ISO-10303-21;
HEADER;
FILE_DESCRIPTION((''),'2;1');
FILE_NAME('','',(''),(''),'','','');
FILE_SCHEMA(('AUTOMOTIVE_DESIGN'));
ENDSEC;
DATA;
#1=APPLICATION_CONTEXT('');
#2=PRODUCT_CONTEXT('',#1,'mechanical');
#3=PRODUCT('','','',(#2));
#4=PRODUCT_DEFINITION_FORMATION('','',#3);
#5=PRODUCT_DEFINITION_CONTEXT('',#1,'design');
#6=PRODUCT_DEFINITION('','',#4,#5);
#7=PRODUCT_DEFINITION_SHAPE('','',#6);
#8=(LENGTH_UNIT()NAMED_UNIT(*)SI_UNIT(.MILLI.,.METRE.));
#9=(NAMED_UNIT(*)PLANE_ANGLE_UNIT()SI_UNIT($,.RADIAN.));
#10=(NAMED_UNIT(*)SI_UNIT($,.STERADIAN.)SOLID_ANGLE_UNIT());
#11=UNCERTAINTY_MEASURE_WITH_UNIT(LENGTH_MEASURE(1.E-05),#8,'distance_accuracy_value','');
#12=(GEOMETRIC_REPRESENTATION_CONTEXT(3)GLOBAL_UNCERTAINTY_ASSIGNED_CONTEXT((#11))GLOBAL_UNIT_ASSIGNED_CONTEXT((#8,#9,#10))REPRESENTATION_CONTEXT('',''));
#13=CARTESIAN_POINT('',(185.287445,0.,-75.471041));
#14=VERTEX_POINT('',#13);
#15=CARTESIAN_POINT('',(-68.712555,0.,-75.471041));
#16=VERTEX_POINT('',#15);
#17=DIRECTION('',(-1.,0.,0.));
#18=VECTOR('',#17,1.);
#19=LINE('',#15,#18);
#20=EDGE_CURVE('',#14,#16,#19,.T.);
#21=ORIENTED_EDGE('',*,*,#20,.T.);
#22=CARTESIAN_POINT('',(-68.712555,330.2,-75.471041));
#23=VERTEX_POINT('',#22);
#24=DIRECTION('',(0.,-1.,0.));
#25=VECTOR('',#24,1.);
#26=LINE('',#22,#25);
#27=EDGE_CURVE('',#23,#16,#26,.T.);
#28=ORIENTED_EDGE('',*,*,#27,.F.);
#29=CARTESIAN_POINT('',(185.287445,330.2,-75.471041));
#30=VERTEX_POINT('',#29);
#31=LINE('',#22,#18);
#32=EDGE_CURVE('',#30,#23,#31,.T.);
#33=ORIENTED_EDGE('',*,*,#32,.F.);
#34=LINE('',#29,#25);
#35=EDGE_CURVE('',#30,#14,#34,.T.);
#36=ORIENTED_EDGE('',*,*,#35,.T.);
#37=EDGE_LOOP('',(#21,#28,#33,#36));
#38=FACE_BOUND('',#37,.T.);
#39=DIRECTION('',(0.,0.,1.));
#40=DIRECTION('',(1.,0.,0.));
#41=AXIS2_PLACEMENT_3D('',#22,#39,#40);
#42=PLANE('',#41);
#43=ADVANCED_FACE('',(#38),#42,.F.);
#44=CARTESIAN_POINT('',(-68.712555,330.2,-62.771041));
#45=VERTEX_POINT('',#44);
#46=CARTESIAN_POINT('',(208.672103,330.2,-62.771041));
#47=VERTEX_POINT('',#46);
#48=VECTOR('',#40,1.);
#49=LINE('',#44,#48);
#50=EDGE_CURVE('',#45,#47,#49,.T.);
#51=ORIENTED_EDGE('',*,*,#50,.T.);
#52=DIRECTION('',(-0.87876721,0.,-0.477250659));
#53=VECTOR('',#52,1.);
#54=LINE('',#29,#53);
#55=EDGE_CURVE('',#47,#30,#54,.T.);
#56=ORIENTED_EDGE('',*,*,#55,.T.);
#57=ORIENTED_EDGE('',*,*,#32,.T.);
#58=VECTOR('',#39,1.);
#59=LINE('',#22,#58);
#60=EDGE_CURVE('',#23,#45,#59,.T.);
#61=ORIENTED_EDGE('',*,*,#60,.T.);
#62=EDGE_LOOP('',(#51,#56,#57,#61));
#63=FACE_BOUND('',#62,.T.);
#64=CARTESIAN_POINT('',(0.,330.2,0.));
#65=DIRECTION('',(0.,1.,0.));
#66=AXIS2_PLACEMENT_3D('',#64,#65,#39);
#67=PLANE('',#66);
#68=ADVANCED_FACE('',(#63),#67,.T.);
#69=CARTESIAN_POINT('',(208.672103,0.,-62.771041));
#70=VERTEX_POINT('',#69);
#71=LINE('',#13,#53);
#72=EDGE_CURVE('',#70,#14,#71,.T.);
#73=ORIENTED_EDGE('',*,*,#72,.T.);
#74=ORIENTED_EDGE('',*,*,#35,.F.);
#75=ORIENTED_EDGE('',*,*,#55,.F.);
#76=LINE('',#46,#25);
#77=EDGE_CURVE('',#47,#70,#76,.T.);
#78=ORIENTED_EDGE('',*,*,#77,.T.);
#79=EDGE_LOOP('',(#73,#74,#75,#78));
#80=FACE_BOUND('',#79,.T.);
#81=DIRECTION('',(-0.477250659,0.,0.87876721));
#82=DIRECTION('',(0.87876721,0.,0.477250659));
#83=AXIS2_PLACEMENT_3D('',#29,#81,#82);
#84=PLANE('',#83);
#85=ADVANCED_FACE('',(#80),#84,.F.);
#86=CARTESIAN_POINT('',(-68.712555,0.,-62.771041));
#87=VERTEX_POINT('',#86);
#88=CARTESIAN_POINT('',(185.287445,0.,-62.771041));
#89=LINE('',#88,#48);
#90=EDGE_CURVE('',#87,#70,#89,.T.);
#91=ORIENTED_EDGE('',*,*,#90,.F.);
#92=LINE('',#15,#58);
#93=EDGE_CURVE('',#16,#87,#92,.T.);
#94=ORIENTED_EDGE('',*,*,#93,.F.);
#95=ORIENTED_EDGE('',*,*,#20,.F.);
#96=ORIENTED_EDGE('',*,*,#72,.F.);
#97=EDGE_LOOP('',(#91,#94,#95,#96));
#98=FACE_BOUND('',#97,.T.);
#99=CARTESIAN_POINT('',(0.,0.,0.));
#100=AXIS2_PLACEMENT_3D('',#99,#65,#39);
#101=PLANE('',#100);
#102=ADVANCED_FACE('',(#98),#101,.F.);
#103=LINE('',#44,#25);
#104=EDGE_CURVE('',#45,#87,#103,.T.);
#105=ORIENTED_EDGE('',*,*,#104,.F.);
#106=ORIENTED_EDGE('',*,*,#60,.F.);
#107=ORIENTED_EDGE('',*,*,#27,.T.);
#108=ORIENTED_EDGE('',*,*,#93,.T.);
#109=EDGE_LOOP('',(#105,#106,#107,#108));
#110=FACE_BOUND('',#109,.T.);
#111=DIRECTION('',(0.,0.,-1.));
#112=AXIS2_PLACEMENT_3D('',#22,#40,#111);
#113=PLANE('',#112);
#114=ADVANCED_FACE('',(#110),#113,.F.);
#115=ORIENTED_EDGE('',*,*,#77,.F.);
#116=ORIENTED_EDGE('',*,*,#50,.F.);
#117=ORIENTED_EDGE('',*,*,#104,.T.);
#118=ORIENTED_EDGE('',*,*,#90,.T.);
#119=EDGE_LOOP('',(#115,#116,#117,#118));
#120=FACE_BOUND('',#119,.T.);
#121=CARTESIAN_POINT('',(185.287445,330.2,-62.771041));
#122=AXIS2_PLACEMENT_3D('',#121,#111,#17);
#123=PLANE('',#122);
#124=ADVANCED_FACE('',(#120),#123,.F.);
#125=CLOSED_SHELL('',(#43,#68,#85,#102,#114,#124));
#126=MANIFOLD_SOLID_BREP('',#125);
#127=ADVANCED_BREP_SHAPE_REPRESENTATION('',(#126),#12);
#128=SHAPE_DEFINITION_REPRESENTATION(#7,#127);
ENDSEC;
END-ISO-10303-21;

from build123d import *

# Parameters (mm, degrees)
BOSS_EXTRUDE2_DEPTH = 330.2


with BuildPart() as part:
    # Sketch1 → Boss-Extrude2 (new body)
    with BuildSketch(Plane(origin=(0, 0, 0), x_dir=(1, 0, 0), z_dir=(0, 1, 0))):
        Polygon((185.28744488, 75.471040866), (208.672103133, 62.771040866), (185.28744488, 62.771040866), (-68.71255512, 62.771040866), (-68.71255512, 75.471040866), align=None)
    extrude(amount=BOSS_EXTRUDE2_DEPTH)


solid = part.part
